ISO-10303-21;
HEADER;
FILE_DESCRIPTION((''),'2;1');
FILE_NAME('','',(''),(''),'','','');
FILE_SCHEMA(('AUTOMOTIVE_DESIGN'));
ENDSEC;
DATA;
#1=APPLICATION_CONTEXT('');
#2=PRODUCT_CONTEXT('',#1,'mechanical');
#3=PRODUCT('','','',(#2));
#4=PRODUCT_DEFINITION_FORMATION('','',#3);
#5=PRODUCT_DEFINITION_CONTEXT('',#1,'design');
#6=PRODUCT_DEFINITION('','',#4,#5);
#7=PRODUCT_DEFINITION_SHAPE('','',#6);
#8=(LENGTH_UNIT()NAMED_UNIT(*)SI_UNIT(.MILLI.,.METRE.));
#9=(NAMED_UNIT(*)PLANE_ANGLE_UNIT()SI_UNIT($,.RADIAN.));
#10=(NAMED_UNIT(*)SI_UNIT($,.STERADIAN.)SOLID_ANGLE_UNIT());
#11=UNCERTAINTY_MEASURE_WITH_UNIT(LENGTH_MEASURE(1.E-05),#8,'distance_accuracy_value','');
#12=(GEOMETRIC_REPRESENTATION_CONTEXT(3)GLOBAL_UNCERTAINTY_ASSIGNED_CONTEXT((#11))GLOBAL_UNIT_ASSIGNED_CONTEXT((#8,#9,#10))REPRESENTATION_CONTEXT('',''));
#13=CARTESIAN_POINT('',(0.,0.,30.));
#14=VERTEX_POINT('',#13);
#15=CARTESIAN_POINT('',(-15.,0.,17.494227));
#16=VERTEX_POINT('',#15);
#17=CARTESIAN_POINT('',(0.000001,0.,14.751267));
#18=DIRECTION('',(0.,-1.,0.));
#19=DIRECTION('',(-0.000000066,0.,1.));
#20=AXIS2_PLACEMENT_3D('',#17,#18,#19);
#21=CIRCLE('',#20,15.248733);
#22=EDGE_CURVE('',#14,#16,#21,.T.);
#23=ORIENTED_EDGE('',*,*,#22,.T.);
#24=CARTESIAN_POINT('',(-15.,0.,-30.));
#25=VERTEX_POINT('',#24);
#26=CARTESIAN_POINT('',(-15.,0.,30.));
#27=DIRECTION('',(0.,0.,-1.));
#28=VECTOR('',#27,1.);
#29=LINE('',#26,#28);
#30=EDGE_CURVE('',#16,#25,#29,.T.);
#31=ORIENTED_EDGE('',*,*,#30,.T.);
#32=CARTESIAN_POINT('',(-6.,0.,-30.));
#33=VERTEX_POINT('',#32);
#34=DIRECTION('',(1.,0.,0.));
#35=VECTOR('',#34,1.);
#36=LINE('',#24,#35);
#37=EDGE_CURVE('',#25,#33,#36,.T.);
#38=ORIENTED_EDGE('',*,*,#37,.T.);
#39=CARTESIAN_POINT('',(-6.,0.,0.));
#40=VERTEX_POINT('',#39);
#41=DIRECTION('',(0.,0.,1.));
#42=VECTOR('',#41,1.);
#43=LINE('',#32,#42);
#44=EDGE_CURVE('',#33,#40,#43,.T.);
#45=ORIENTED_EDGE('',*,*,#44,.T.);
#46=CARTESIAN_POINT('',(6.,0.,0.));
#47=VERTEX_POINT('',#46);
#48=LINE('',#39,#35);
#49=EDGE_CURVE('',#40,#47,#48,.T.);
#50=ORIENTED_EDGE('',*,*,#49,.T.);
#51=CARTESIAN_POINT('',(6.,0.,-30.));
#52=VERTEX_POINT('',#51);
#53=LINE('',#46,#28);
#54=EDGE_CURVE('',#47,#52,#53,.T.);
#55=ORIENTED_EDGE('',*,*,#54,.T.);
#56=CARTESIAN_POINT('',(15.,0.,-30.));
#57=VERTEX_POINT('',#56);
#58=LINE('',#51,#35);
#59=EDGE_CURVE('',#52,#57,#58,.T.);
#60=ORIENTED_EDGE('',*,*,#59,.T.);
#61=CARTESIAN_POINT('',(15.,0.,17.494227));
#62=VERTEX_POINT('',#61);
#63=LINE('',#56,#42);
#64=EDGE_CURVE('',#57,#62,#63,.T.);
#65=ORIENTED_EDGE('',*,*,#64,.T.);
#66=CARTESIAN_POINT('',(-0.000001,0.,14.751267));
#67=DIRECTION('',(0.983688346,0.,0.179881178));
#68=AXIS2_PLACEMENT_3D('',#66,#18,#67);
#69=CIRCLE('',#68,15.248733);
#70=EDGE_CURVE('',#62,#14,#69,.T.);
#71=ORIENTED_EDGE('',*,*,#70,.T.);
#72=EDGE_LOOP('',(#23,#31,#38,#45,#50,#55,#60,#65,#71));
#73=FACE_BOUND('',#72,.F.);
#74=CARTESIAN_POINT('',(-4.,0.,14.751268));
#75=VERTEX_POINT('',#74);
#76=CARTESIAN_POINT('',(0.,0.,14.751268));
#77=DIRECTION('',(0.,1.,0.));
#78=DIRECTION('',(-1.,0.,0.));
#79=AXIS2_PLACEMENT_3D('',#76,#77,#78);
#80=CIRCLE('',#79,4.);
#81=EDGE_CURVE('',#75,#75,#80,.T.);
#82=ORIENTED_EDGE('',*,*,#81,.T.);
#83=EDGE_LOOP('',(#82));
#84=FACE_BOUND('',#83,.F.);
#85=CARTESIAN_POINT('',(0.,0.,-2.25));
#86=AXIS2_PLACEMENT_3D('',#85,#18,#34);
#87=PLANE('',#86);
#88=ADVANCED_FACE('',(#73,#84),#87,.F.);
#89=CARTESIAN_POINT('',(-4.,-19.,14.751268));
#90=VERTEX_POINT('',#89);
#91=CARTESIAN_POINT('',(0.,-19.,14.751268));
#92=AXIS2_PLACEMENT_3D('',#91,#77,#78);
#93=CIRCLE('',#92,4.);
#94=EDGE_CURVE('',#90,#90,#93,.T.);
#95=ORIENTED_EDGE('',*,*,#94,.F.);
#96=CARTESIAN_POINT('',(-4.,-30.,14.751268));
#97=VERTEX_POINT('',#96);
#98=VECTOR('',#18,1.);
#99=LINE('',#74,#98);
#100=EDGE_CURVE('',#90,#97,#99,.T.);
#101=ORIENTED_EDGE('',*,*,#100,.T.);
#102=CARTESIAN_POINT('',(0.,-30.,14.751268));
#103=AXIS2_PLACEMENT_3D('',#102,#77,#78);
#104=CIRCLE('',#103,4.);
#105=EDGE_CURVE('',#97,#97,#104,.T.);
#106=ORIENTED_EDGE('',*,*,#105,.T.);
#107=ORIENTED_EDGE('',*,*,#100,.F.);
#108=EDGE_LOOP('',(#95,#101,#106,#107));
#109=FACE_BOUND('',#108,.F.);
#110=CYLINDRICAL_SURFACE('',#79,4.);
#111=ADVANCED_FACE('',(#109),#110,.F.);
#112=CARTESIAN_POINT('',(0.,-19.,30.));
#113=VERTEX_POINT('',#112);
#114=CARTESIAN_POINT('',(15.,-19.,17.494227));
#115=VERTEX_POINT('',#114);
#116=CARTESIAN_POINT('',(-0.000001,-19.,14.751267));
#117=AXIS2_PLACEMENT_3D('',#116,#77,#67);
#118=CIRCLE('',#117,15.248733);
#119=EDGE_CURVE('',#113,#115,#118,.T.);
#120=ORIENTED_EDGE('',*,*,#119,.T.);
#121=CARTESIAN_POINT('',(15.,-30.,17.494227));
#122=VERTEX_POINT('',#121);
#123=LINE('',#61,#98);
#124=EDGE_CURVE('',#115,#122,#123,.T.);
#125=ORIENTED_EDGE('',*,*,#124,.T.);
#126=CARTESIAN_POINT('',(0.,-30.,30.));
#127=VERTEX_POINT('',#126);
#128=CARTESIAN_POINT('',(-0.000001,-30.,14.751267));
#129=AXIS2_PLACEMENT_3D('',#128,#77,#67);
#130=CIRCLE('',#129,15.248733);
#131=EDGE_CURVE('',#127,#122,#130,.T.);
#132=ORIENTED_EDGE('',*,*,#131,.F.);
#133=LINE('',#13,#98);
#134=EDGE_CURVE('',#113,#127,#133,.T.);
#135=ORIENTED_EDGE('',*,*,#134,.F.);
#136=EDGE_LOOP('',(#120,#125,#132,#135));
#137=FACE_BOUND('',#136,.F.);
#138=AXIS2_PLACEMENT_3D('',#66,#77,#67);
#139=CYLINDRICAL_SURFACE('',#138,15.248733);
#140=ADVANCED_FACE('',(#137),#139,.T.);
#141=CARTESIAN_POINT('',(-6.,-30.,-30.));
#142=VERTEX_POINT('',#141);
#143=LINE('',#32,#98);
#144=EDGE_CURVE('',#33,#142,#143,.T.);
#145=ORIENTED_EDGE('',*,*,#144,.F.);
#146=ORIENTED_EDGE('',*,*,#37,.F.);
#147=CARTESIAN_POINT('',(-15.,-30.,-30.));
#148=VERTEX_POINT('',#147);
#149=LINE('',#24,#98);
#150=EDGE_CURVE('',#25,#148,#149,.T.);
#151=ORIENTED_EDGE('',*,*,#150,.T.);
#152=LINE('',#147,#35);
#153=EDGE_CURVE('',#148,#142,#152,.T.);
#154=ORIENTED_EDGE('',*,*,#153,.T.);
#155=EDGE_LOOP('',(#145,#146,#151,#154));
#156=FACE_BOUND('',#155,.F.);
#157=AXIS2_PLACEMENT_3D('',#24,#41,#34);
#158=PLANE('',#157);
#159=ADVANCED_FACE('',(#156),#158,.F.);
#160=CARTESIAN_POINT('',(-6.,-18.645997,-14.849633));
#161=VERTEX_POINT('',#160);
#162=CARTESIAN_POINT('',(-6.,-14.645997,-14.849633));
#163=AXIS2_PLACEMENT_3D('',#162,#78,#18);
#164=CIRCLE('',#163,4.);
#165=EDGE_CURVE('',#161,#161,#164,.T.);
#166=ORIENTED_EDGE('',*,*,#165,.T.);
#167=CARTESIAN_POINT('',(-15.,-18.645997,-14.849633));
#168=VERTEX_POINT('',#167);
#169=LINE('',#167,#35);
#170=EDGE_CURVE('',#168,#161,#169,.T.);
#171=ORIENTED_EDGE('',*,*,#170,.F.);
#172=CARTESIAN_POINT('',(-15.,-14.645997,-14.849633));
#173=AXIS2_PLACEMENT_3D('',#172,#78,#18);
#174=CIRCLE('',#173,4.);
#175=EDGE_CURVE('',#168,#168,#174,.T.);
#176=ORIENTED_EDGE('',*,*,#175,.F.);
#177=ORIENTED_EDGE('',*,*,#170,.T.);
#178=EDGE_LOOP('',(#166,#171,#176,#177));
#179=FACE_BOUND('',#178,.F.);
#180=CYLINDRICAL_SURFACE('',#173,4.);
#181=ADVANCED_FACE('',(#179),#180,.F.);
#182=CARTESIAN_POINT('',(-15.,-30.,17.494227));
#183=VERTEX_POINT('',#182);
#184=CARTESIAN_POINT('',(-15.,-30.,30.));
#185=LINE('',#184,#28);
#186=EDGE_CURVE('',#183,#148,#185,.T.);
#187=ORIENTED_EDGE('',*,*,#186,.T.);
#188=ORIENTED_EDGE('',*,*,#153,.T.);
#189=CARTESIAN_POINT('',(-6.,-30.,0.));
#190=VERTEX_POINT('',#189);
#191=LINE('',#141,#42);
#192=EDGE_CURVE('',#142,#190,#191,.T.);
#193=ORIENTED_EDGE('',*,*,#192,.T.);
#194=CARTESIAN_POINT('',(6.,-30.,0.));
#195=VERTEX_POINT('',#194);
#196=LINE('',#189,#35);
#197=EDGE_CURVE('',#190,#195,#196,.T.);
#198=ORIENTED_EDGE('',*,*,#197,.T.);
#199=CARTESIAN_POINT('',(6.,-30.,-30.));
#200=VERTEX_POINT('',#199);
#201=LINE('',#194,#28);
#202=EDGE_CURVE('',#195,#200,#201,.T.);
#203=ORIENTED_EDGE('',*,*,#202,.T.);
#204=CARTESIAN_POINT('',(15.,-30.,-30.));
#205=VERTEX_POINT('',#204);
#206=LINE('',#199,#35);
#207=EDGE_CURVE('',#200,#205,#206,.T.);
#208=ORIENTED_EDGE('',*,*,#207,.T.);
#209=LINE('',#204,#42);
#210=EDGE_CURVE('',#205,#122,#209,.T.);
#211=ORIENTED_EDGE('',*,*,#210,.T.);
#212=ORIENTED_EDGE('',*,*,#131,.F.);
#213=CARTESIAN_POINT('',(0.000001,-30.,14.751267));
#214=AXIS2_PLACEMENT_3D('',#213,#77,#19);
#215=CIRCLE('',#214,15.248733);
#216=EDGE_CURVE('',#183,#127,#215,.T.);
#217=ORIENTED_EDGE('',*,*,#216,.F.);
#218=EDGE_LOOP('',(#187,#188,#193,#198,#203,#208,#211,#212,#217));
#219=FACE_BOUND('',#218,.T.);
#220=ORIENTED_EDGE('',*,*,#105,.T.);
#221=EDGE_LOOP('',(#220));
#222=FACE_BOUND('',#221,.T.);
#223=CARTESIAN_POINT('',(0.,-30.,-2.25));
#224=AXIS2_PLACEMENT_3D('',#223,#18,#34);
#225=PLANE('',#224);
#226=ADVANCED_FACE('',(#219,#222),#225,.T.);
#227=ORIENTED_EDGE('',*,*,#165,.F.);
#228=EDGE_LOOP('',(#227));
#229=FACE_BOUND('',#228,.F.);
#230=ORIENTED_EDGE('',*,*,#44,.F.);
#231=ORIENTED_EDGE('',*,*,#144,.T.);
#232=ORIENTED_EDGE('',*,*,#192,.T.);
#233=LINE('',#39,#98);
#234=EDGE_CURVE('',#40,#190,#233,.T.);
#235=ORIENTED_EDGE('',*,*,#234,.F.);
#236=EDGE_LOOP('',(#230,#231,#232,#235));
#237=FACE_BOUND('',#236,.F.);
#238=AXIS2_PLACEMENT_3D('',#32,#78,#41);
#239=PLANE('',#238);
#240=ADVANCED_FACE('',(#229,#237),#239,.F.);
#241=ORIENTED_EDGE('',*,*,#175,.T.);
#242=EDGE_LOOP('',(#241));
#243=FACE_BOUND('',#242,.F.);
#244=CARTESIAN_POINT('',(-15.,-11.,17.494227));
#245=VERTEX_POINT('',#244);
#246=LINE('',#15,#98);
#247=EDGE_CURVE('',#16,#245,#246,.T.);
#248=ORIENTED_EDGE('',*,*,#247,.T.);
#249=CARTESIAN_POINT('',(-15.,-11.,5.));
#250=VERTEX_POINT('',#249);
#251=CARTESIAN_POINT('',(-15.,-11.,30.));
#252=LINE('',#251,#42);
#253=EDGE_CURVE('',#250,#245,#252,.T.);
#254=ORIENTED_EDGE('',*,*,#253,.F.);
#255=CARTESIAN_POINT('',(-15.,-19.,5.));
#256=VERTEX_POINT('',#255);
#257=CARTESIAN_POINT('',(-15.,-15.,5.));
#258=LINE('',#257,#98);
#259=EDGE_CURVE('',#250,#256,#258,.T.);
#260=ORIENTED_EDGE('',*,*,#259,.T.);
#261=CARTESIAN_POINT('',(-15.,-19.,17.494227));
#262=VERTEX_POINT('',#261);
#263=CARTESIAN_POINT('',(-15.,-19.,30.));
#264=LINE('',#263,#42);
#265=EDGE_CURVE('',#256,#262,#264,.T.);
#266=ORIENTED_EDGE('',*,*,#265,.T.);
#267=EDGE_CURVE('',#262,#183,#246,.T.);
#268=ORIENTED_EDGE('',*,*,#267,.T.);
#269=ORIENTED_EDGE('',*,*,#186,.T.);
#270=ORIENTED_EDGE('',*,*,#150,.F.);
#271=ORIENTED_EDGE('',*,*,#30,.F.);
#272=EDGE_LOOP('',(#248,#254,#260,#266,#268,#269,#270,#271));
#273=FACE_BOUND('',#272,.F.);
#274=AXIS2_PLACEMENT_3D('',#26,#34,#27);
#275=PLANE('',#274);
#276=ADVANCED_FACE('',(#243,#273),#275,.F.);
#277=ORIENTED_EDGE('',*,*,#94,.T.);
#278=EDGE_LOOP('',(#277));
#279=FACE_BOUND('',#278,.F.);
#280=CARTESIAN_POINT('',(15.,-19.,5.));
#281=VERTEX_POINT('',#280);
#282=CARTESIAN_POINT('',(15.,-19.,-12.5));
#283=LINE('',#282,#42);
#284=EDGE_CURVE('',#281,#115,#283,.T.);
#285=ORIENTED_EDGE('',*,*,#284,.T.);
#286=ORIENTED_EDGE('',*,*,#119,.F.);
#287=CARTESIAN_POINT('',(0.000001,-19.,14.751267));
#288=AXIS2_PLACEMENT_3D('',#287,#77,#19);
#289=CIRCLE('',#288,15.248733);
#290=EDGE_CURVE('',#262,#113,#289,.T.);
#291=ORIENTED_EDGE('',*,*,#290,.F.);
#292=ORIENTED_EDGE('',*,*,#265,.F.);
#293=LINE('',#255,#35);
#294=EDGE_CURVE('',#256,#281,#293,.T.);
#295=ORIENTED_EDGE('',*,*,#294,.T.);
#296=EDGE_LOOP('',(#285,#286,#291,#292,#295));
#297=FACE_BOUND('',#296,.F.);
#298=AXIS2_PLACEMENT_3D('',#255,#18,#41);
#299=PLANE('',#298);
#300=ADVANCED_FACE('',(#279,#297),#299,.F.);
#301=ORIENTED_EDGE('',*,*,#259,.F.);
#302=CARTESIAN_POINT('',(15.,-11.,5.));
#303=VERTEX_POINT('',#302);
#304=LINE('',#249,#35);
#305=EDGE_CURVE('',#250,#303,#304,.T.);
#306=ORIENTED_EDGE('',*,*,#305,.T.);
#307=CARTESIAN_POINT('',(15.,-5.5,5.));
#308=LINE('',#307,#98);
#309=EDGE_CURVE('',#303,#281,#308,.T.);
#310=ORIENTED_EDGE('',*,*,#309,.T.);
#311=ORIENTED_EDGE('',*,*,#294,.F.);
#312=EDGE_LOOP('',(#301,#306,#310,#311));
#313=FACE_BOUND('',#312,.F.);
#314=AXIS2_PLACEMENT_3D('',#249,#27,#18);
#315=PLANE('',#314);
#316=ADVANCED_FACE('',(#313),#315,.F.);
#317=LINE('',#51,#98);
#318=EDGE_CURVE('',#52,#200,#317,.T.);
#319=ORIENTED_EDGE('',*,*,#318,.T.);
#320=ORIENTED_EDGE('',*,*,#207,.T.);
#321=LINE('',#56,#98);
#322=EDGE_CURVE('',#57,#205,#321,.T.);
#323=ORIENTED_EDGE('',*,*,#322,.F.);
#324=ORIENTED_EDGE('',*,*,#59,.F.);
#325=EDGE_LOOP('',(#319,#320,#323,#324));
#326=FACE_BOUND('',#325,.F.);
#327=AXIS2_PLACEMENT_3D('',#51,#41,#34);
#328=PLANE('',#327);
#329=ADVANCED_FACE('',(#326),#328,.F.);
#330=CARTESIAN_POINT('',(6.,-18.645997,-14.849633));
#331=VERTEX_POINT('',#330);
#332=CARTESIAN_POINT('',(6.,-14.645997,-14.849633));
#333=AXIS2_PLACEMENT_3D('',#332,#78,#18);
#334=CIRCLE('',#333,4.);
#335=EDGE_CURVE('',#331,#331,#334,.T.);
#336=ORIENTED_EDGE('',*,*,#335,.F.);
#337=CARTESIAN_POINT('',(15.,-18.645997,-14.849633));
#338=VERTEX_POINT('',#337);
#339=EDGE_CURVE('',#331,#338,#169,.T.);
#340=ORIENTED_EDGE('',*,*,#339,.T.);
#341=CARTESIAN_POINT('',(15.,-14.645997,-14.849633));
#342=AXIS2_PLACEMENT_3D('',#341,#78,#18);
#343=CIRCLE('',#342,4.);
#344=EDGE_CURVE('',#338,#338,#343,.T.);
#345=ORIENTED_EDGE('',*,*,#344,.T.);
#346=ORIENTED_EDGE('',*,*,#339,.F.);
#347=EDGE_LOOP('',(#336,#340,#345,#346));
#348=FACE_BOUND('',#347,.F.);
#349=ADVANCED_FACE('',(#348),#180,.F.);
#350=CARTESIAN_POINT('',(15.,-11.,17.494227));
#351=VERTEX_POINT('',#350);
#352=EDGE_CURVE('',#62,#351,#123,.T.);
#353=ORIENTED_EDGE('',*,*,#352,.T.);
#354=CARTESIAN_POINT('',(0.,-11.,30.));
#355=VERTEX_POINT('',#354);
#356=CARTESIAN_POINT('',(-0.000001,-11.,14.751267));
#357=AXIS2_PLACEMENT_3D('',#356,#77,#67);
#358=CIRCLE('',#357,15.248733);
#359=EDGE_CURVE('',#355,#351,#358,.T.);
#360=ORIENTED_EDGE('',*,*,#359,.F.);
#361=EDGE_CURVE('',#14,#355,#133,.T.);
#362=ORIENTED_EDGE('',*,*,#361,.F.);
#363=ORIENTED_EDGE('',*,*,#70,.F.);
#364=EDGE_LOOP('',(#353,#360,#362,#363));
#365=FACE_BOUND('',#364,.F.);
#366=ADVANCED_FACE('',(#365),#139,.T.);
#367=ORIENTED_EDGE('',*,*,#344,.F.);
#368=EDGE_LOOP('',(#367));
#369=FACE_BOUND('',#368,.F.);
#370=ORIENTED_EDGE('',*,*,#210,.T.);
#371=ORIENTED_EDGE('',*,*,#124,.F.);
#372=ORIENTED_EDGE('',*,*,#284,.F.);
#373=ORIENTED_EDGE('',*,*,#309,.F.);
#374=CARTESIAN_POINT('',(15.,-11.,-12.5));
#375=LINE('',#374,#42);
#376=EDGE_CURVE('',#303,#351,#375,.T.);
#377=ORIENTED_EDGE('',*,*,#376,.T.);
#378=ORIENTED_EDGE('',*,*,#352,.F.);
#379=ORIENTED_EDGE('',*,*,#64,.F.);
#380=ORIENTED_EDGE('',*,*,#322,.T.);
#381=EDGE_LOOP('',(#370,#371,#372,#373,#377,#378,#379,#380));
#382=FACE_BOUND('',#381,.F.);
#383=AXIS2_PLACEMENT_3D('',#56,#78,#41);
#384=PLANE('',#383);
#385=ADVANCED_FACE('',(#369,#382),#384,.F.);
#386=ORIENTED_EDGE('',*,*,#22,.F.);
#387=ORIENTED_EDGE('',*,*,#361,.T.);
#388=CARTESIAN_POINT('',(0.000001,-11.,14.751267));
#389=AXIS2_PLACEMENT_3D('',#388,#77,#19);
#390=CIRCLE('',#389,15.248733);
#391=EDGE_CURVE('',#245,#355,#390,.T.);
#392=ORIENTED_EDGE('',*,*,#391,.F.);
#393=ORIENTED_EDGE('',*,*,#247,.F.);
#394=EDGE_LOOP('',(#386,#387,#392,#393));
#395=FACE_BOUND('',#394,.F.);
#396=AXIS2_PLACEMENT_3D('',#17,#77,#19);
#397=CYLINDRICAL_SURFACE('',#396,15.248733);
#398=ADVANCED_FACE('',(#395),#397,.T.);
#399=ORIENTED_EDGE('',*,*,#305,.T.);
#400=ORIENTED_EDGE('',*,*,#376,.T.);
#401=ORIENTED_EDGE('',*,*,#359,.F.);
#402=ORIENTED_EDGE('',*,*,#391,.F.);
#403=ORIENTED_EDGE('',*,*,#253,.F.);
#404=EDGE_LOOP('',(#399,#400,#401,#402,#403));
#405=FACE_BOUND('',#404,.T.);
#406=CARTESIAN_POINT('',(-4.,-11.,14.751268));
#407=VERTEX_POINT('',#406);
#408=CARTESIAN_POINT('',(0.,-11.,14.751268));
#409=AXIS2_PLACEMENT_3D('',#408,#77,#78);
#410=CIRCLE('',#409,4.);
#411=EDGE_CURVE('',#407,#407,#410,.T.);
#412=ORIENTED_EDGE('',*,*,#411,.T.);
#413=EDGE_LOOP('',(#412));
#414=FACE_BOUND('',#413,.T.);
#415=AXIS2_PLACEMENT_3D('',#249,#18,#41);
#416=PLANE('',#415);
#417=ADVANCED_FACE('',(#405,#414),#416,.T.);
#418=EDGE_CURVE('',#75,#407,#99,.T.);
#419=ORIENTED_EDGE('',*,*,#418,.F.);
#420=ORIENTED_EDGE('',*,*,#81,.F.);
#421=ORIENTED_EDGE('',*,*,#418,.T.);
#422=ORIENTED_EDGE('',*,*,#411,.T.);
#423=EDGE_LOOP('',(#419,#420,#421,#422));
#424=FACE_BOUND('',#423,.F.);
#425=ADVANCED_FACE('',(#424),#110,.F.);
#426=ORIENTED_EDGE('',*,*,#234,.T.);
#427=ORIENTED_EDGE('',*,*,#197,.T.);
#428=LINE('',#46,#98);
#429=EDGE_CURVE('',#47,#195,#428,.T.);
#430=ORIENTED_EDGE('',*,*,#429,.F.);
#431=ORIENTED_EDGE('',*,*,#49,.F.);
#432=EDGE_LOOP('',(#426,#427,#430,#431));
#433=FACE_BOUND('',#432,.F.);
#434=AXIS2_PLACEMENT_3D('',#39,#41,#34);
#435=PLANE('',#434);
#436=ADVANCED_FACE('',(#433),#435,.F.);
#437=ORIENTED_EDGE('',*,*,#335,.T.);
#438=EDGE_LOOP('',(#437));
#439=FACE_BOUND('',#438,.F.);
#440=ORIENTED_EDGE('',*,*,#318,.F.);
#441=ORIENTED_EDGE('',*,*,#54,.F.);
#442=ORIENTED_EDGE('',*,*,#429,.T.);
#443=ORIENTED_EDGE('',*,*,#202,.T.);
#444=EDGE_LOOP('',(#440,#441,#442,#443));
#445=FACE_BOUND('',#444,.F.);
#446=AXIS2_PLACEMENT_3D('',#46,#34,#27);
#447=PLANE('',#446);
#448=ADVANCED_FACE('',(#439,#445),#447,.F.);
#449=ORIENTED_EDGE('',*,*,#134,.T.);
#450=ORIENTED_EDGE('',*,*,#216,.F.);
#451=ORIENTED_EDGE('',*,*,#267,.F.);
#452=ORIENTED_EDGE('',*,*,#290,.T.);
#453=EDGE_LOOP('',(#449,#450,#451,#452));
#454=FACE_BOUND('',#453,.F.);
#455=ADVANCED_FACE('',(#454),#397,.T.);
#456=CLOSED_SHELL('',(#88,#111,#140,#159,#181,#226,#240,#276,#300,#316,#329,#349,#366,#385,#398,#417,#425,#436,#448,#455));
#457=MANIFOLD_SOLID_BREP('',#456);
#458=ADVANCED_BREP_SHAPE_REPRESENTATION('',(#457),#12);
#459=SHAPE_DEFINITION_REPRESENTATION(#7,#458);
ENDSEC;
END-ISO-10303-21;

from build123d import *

# Parameters (mm, degrees)
F1_DEPTH = 30
F2_R     = 4
F2_W     = 8
F2_H     = 50
F3_DEPTH = 30.001
F4_R     = 4
F5_DEPTH = 30.001
F7_DEPTH = 30.001


with BuildPart() as f1:
    # F0 (on Front) → F1 (new body)
    with BuildSketch(Plane.XZ):
        Polygon((15, 30), (-15, 30), (-15, -30), (-6, -30), (-6, 0), (6, 0), (6, -30), (15, -30), align=None)
    extrude(amount=F1_DEPTH)

    # F2 (on face) → F3 (cut, through all)
    with BuildSketch(Plane(origin=(-15, 0, 0), x_dir=(0, -1, 0), z_dir=(-1, 0, 0))):
        with Locations((14.645997, -14.849633)):
            Circle(F2_R)
        with Locations((15, 30)):
            Rectangle(F2_W, F2_H)
    extrude(amount=-F3_DEPTH, mode=Mode.SUBTRACT)

    # F4 (on face) → F5 (cut, through all)
    with BuildSketch(Plane(origin=(0, 0, 0), x_dir=(-1, 0, 0), z_dir=(0, 1, 0))):
        with Locations((0, 14.751268)):
            Circle(F4_R)
    extrude(amount=-F5_DEPTH, mode=Mode.SUBTRACT)

    # F6 (on face) → F7 (cut, through all)
    with BuildSketch(Plane(origin=(0, 0, 0), x_dir=(-1, 0, 0), z_dir=(0, 1, 0))):
        with BuildLine():
            ThreePointArc((0, 30), (9.76466, 26.463451), (15, 17.494227))
            Line((15, 17.494227), (15, 30))
            Line((15, 30), (0, 30))
        make_face()
        with BuildLine():
            ThreePointArc((-15, 17.494227), (-9.76466, 26.463451), (0, 30))
            Line((0, 30), (-15, 30))
            Line((-15, 30), (-15, 17.494227))
        make_face()
    extrude(amount=-F7_DEPTH, mode=Mode.SUBTRACT)


solid = f1.part
